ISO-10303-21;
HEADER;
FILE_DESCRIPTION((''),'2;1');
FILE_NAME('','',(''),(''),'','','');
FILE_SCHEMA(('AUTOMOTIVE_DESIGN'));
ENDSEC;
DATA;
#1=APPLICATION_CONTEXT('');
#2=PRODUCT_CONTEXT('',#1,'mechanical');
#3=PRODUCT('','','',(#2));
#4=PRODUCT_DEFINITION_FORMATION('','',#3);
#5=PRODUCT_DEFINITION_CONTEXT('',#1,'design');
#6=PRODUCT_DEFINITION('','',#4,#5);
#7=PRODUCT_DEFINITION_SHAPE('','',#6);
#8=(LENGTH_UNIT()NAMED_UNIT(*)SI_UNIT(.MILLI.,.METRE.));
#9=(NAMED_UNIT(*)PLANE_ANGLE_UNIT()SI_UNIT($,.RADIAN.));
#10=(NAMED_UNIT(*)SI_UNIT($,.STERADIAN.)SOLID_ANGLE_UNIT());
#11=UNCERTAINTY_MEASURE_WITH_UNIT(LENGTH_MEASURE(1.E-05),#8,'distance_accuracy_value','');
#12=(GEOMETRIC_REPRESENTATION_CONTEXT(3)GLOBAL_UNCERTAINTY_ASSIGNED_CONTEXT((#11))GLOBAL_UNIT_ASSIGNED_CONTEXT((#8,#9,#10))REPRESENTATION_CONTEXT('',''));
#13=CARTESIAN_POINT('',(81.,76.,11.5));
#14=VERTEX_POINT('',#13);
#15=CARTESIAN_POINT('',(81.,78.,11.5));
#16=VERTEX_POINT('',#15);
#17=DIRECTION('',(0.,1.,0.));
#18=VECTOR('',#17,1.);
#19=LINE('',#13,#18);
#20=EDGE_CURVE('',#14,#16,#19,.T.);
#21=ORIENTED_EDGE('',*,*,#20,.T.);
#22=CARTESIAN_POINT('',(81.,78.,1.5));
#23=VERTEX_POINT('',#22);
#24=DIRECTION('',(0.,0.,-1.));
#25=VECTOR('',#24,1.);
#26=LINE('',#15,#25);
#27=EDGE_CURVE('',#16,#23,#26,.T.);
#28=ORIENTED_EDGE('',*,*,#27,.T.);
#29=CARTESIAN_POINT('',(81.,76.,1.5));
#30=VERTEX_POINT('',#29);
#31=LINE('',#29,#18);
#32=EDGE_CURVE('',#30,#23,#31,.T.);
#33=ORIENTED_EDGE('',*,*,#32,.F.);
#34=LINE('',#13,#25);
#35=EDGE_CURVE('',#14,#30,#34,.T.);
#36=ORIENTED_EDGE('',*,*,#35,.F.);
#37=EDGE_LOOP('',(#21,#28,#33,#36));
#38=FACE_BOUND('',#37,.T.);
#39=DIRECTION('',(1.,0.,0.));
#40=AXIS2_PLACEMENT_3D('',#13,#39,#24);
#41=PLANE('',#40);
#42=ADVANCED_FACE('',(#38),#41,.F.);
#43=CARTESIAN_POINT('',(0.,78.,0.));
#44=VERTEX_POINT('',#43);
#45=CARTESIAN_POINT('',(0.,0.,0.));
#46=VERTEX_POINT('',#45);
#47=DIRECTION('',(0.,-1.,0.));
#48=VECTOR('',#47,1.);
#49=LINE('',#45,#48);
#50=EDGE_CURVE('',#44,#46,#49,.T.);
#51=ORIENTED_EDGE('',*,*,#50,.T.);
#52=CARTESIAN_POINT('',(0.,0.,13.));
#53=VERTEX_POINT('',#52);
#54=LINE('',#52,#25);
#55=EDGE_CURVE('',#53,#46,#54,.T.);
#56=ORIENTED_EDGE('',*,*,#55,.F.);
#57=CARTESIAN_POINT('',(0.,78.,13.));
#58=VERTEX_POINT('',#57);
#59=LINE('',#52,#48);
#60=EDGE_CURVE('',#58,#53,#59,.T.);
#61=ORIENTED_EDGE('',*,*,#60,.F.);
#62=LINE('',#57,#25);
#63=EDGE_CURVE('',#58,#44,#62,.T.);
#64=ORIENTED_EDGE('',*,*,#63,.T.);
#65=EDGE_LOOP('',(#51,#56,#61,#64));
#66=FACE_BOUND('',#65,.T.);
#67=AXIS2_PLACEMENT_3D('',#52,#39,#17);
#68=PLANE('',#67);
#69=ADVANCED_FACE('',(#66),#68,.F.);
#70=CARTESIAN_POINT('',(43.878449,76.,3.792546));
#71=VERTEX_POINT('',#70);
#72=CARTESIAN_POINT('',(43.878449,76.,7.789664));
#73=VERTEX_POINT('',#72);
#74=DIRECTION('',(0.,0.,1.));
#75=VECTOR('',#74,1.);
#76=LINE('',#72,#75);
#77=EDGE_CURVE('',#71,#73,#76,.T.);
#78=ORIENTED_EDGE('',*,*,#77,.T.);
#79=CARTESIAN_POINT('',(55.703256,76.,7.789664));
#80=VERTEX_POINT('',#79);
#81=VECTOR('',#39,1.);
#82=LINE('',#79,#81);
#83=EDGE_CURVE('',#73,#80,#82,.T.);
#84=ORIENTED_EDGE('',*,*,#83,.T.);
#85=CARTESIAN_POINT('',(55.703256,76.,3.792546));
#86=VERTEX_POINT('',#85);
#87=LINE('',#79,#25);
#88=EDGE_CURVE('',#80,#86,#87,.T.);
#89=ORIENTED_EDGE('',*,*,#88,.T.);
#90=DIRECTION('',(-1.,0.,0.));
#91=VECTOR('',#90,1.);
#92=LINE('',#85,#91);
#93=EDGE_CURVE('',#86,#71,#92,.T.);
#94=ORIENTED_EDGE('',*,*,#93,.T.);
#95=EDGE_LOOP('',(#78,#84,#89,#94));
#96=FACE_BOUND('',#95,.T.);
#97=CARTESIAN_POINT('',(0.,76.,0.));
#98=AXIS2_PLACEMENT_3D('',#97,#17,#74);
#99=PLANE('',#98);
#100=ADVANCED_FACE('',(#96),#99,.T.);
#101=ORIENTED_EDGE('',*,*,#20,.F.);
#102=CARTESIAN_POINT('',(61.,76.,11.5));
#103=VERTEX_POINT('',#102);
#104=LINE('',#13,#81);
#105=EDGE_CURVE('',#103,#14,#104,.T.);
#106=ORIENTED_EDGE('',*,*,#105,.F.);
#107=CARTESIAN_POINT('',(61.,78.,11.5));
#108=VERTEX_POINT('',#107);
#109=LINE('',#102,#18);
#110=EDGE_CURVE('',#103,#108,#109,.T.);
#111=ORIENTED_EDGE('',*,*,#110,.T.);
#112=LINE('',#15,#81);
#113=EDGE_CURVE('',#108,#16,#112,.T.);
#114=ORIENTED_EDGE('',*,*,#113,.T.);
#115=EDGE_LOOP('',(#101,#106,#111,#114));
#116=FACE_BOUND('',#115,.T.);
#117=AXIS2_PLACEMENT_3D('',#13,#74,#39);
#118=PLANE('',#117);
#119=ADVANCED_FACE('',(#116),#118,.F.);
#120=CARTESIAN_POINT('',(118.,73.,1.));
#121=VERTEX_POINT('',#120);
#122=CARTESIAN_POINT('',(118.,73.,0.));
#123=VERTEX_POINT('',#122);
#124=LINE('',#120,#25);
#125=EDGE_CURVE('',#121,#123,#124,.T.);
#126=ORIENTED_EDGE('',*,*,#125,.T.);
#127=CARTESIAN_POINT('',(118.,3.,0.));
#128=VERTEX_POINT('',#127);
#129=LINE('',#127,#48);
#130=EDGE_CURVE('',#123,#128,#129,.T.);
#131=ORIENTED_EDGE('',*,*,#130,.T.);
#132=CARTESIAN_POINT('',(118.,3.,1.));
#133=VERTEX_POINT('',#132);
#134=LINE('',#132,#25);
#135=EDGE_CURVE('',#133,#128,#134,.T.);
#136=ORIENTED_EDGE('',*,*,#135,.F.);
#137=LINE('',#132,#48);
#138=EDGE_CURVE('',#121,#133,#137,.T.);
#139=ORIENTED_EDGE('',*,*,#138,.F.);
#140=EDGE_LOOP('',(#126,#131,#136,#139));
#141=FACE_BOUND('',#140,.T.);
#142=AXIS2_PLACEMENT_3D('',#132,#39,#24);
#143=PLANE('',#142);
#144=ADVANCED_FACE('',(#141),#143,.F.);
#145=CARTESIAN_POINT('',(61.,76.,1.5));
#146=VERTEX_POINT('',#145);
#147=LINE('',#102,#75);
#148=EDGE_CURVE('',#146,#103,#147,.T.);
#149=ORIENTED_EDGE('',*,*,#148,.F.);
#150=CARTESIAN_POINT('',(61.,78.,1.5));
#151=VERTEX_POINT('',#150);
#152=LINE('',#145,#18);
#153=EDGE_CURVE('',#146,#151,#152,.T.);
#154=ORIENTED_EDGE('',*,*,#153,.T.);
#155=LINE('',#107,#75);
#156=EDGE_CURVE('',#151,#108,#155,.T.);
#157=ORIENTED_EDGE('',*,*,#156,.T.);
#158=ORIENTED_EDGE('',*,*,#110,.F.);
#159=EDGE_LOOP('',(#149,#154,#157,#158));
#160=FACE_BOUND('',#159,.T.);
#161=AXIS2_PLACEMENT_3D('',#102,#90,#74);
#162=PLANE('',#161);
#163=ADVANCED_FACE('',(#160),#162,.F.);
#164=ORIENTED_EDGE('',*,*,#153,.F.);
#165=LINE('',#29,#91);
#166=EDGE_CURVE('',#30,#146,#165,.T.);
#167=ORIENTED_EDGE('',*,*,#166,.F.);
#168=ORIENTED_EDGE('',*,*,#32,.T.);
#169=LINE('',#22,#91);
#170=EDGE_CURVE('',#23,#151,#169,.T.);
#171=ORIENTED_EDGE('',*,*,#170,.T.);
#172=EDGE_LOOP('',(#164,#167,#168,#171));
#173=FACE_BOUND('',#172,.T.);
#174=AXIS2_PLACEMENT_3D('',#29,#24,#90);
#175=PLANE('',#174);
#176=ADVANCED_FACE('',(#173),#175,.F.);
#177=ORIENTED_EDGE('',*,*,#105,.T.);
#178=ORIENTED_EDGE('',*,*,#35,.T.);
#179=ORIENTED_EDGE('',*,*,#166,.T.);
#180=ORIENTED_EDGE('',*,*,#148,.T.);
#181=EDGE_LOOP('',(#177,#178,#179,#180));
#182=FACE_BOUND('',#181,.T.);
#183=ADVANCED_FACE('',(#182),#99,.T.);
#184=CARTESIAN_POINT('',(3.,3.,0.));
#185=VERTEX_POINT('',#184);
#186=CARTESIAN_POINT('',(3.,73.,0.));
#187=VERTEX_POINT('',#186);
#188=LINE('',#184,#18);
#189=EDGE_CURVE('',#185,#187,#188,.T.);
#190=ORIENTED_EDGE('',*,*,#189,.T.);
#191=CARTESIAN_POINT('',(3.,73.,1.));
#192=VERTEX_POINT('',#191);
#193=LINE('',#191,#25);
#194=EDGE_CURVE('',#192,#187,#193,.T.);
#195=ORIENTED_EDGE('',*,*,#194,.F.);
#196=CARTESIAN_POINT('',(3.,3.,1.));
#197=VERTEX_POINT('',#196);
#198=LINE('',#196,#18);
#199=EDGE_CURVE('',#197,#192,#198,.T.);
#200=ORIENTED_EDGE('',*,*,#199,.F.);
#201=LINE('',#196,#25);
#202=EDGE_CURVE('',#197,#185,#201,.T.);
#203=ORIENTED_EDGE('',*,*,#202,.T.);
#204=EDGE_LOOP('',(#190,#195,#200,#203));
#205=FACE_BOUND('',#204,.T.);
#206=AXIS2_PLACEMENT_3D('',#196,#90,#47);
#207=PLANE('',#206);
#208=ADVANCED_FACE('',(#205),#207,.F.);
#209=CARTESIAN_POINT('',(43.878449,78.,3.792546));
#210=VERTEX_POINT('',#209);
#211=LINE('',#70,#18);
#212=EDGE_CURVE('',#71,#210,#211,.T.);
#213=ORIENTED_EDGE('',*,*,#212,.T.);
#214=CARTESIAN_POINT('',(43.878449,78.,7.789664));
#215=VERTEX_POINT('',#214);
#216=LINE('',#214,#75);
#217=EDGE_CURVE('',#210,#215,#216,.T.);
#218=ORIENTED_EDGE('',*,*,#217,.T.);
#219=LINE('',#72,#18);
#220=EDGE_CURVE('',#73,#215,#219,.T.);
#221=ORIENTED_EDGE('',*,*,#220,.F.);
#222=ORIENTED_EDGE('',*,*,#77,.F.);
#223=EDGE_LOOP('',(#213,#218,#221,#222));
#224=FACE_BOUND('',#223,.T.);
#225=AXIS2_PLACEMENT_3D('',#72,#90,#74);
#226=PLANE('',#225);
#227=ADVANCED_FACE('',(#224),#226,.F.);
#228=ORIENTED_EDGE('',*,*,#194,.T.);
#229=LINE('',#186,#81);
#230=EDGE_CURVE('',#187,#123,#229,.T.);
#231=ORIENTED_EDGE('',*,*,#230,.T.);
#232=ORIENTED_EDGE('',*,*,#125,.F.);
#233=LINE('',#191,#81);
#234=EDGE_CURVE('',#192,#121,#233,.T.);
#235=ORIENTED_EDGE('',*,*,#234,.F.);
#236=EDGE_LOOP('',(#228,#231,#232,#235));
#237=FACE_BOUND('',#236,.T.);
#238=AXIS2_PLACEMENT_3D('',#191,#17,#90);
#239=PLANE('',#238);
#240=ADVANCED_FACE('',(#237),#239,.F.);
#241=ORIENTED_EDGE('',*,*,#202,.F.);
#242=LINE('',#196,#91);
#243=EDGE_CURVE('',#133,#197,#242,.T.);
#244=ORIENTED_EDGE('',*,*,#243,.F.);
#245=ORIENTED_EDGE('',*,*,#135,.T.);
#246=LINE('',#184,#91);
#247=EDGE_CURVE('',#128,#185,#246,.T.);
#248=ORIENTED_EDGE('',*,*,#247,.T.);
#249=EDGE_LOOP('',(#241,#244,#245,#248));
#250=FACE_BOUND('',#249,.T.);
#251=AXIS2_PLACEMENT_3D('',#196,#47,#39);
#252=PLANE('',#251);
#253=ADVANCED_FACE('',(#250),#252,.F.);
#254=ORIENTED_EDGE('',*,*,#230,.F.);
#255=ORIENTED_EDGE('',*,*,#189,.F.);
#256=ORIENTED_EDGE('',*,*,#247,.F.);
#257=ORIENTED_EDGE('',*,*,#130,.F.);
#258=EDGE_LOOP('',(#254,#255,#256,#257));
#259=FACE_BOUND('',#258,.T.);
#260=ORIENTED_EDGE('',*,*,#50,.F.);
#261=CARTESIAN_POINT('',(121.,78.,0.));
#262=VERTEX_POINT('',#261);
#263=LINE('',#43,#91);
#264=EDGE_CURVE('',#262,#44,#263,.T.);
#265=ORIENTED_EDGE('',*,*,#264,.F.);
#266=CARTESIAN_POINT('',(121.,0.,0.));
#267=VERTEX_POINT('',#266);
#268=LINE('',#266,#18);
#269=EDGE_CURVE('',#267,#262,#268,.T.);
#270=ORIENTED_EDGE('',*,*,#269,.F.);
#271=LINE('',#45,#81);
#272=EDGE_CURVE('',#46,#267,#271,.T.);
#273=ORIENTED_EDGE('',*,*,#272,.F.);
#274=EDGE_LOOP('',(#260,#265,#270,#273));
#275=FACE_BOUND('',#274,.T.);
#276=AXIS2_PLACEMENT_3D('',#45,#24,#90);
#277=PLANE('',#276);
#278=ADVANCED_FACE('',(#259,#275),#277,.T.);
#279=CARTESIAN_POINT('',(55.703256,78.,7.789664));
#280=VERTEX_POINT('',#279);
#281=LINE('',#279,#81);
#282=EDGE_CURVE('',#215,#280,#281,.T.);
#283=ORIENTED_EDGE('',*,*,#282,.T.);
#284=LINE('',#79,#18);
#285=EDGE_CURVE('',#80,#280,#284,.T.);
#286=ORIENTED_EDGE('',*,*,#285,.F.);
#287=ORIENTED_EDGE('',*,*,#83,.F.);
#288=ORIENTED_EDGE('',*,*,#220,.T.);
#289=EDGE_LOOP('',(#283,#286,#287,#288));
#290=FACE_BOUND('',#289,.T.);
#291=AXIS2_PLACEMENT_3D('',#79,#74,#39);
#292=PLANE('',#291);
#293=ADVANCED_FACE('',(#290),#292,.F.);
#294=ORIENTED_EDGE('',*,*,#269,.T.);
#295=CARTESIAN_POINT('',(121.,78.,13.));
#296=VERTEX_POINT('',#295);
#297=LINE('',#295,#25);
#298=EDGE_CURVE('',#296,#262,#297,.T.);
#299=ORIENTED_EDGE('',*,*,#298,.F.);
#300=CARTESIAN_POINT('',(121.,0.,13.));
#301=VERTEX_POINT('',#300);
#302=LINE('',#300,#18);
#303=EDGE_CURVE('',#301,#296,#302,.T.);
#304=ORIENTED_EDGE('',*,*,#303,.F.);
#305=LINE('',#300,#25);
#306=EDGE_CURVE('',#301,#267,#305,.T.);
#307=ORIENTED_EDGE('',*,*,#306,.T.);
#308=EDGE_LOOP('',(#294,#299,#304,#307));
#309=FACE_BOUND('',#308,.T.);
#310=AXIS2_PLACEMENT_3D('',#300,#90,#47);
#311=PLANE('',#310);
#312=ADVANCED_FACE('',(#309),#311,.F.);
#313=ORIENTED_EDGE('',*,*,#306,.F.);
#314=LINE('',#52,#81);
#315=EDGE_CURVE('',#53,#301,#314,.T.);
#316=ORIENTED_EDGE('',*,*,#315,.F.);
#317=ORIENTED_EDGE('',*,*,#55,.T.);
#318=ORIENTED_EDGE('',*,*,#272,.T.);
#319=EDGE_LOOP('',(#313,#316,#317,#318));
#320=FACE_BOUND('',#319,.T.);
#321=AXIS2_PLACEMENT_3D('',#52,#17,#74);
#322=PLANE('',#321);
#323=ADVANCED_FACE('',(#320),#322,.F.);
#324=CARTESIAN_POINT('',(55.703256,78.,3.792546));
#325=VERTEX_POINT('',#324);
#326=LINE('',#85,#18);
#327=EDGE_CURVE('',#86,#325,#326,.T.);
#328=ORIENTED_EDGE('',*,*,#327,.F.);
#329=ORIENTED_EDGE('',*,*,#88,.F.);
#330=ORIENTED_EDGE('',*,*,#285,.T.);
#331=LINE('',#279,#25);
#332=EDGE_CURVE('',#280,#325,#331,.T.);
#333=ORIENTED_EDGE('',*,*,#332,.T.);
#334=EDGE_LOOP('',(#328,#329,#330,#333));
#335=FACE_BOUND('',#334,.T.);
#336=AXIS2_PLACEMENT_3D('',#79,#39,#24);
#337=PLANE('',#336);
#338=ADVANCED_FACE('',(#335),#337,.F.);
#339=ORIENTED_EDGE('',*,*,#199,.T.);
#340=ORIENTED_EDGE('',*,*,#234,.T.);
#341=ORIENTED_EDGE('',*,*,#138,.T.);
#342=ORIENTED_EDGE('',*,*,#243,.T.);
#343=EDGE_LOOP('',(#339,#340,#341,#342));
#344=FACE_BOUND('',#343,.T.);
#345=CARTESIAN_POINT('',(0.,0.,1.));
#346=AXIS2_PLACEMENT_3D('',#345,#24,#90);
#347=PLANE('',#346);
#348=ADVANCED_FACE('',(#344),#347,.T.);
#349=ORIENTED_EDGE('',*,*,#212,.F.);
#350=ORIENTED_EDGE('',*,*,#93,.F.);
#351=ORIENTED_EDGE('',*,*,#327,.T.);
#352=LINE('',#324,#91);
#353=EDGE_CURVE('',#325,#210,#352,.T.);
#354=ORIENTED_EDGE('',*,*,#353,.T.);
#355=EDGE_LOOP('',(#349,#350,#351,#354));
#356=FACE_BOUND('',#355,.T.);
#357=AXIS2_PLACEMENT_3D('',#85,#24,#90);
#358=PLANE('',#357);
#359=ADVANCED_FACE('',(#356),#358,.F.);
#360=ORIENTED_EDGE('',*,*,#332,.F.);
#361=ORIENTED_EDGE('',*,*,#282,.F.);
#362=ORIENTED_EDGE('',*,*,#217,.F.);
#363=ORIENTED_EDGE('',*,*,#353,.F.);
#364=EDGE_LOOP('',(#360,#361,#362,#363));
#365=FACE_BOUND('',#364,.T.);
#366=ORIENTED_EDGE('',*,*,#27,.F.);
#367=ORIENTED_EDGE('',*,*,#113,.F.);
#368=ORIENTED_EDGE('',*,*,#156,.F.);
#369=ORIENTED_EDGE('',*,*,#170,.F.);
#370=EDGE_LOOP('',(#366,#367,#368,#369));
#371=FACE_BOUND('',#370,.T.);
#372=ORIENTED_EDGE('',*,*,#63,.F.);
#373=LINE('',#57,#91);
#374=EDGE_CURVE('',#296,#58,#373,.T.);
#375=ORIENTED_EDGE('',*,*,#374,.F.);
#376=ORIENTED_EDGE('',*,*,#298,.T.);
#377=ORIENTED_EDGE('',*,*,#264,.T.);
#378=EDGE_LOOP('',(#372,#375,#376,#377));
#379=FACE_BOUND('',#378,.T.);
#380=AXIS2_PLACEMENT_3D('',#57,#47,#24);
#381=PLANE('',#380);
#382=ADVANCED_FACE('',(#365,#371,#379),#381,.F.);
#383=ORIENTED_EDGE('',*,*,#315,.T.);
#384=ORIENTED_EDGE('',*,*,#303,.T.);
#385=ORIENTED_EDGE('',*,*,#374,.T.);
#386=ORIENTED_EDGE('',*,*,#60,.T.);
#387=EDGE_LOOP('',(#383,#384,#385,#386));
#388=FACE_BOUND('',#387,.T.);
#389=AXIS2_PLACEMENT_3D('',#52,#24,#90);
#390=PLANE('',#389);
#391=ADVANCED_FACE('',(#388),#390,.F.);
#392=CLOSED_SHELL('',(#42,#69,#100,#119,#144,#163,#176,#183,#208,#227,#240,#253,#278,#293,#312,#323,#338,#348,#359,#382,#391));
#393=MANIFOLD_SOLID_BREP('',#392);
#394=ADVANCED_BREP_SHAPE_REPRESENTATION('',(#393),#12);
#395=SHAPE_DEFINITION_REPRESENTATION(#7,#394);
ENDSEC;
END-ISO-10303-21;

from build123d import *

# Parameters (mm, degrees)
SKETCH1_W           = 121
SKETCH1_H           = 78
BOSS_EXTRUDE1_DEPTH = 13
SKETCH2_W           = 115
SKETCH2_H           = 70
CUT_EXTRUDE1_DEPTH  = 1
SKETCH4_W           = 20
SKETCH4_H           = 10
SKETCH4_W_2         = 11.824806853
SKETCH4_H_2         = 3.99711781
CUT_EXTRUDE2_DEPTH  = 2


with BuildPart() as part:
    # Sketch1 → Boss-Extrude1 (new body)
    with BuildSketch(Plane.XY):
        with Locations((60.5, 39)):
            Rectangle(SKETCH1_W, SKETCH1_H)
    extrude(amount=BOSS_EXTRUDE1_DEPTH)

    # Sketch2 → Cut-Extrude1 (cut)
    with BuildSketch(Plane(origin=(0, 0, 0), x_dir=(-1, 0, 0), z_dir=(0, 0, -1))):
        with Locations((-60.5, 38)):
            Rectangle(SKETCH2_W, SKETCH2_H)
    extrude(amount=-CUT_EXTRUDE1_DEPTH, mode=Mode.SUBTRACT)

    # Sketch4 → Cut-Extrude2 (cut)
    with BuildSketch(Plane(origin=(0, 78, 0), x_dir=(1, 0, 0), z_dir=(0, 1, 0))):
        with Locations((71, -6.5)):
            Rectangle(SKETCH4_W, SKETCH4_H)
        with Locations((49.790852201, -5.791105027)):
            Rectangle(SKETCH4_W_2, SKETCH4_H_2)
    extrude(amount=-CUT_EXTRUDE2_DEPTH, mode=Mode.SUBTRACT)


solid = part.part
